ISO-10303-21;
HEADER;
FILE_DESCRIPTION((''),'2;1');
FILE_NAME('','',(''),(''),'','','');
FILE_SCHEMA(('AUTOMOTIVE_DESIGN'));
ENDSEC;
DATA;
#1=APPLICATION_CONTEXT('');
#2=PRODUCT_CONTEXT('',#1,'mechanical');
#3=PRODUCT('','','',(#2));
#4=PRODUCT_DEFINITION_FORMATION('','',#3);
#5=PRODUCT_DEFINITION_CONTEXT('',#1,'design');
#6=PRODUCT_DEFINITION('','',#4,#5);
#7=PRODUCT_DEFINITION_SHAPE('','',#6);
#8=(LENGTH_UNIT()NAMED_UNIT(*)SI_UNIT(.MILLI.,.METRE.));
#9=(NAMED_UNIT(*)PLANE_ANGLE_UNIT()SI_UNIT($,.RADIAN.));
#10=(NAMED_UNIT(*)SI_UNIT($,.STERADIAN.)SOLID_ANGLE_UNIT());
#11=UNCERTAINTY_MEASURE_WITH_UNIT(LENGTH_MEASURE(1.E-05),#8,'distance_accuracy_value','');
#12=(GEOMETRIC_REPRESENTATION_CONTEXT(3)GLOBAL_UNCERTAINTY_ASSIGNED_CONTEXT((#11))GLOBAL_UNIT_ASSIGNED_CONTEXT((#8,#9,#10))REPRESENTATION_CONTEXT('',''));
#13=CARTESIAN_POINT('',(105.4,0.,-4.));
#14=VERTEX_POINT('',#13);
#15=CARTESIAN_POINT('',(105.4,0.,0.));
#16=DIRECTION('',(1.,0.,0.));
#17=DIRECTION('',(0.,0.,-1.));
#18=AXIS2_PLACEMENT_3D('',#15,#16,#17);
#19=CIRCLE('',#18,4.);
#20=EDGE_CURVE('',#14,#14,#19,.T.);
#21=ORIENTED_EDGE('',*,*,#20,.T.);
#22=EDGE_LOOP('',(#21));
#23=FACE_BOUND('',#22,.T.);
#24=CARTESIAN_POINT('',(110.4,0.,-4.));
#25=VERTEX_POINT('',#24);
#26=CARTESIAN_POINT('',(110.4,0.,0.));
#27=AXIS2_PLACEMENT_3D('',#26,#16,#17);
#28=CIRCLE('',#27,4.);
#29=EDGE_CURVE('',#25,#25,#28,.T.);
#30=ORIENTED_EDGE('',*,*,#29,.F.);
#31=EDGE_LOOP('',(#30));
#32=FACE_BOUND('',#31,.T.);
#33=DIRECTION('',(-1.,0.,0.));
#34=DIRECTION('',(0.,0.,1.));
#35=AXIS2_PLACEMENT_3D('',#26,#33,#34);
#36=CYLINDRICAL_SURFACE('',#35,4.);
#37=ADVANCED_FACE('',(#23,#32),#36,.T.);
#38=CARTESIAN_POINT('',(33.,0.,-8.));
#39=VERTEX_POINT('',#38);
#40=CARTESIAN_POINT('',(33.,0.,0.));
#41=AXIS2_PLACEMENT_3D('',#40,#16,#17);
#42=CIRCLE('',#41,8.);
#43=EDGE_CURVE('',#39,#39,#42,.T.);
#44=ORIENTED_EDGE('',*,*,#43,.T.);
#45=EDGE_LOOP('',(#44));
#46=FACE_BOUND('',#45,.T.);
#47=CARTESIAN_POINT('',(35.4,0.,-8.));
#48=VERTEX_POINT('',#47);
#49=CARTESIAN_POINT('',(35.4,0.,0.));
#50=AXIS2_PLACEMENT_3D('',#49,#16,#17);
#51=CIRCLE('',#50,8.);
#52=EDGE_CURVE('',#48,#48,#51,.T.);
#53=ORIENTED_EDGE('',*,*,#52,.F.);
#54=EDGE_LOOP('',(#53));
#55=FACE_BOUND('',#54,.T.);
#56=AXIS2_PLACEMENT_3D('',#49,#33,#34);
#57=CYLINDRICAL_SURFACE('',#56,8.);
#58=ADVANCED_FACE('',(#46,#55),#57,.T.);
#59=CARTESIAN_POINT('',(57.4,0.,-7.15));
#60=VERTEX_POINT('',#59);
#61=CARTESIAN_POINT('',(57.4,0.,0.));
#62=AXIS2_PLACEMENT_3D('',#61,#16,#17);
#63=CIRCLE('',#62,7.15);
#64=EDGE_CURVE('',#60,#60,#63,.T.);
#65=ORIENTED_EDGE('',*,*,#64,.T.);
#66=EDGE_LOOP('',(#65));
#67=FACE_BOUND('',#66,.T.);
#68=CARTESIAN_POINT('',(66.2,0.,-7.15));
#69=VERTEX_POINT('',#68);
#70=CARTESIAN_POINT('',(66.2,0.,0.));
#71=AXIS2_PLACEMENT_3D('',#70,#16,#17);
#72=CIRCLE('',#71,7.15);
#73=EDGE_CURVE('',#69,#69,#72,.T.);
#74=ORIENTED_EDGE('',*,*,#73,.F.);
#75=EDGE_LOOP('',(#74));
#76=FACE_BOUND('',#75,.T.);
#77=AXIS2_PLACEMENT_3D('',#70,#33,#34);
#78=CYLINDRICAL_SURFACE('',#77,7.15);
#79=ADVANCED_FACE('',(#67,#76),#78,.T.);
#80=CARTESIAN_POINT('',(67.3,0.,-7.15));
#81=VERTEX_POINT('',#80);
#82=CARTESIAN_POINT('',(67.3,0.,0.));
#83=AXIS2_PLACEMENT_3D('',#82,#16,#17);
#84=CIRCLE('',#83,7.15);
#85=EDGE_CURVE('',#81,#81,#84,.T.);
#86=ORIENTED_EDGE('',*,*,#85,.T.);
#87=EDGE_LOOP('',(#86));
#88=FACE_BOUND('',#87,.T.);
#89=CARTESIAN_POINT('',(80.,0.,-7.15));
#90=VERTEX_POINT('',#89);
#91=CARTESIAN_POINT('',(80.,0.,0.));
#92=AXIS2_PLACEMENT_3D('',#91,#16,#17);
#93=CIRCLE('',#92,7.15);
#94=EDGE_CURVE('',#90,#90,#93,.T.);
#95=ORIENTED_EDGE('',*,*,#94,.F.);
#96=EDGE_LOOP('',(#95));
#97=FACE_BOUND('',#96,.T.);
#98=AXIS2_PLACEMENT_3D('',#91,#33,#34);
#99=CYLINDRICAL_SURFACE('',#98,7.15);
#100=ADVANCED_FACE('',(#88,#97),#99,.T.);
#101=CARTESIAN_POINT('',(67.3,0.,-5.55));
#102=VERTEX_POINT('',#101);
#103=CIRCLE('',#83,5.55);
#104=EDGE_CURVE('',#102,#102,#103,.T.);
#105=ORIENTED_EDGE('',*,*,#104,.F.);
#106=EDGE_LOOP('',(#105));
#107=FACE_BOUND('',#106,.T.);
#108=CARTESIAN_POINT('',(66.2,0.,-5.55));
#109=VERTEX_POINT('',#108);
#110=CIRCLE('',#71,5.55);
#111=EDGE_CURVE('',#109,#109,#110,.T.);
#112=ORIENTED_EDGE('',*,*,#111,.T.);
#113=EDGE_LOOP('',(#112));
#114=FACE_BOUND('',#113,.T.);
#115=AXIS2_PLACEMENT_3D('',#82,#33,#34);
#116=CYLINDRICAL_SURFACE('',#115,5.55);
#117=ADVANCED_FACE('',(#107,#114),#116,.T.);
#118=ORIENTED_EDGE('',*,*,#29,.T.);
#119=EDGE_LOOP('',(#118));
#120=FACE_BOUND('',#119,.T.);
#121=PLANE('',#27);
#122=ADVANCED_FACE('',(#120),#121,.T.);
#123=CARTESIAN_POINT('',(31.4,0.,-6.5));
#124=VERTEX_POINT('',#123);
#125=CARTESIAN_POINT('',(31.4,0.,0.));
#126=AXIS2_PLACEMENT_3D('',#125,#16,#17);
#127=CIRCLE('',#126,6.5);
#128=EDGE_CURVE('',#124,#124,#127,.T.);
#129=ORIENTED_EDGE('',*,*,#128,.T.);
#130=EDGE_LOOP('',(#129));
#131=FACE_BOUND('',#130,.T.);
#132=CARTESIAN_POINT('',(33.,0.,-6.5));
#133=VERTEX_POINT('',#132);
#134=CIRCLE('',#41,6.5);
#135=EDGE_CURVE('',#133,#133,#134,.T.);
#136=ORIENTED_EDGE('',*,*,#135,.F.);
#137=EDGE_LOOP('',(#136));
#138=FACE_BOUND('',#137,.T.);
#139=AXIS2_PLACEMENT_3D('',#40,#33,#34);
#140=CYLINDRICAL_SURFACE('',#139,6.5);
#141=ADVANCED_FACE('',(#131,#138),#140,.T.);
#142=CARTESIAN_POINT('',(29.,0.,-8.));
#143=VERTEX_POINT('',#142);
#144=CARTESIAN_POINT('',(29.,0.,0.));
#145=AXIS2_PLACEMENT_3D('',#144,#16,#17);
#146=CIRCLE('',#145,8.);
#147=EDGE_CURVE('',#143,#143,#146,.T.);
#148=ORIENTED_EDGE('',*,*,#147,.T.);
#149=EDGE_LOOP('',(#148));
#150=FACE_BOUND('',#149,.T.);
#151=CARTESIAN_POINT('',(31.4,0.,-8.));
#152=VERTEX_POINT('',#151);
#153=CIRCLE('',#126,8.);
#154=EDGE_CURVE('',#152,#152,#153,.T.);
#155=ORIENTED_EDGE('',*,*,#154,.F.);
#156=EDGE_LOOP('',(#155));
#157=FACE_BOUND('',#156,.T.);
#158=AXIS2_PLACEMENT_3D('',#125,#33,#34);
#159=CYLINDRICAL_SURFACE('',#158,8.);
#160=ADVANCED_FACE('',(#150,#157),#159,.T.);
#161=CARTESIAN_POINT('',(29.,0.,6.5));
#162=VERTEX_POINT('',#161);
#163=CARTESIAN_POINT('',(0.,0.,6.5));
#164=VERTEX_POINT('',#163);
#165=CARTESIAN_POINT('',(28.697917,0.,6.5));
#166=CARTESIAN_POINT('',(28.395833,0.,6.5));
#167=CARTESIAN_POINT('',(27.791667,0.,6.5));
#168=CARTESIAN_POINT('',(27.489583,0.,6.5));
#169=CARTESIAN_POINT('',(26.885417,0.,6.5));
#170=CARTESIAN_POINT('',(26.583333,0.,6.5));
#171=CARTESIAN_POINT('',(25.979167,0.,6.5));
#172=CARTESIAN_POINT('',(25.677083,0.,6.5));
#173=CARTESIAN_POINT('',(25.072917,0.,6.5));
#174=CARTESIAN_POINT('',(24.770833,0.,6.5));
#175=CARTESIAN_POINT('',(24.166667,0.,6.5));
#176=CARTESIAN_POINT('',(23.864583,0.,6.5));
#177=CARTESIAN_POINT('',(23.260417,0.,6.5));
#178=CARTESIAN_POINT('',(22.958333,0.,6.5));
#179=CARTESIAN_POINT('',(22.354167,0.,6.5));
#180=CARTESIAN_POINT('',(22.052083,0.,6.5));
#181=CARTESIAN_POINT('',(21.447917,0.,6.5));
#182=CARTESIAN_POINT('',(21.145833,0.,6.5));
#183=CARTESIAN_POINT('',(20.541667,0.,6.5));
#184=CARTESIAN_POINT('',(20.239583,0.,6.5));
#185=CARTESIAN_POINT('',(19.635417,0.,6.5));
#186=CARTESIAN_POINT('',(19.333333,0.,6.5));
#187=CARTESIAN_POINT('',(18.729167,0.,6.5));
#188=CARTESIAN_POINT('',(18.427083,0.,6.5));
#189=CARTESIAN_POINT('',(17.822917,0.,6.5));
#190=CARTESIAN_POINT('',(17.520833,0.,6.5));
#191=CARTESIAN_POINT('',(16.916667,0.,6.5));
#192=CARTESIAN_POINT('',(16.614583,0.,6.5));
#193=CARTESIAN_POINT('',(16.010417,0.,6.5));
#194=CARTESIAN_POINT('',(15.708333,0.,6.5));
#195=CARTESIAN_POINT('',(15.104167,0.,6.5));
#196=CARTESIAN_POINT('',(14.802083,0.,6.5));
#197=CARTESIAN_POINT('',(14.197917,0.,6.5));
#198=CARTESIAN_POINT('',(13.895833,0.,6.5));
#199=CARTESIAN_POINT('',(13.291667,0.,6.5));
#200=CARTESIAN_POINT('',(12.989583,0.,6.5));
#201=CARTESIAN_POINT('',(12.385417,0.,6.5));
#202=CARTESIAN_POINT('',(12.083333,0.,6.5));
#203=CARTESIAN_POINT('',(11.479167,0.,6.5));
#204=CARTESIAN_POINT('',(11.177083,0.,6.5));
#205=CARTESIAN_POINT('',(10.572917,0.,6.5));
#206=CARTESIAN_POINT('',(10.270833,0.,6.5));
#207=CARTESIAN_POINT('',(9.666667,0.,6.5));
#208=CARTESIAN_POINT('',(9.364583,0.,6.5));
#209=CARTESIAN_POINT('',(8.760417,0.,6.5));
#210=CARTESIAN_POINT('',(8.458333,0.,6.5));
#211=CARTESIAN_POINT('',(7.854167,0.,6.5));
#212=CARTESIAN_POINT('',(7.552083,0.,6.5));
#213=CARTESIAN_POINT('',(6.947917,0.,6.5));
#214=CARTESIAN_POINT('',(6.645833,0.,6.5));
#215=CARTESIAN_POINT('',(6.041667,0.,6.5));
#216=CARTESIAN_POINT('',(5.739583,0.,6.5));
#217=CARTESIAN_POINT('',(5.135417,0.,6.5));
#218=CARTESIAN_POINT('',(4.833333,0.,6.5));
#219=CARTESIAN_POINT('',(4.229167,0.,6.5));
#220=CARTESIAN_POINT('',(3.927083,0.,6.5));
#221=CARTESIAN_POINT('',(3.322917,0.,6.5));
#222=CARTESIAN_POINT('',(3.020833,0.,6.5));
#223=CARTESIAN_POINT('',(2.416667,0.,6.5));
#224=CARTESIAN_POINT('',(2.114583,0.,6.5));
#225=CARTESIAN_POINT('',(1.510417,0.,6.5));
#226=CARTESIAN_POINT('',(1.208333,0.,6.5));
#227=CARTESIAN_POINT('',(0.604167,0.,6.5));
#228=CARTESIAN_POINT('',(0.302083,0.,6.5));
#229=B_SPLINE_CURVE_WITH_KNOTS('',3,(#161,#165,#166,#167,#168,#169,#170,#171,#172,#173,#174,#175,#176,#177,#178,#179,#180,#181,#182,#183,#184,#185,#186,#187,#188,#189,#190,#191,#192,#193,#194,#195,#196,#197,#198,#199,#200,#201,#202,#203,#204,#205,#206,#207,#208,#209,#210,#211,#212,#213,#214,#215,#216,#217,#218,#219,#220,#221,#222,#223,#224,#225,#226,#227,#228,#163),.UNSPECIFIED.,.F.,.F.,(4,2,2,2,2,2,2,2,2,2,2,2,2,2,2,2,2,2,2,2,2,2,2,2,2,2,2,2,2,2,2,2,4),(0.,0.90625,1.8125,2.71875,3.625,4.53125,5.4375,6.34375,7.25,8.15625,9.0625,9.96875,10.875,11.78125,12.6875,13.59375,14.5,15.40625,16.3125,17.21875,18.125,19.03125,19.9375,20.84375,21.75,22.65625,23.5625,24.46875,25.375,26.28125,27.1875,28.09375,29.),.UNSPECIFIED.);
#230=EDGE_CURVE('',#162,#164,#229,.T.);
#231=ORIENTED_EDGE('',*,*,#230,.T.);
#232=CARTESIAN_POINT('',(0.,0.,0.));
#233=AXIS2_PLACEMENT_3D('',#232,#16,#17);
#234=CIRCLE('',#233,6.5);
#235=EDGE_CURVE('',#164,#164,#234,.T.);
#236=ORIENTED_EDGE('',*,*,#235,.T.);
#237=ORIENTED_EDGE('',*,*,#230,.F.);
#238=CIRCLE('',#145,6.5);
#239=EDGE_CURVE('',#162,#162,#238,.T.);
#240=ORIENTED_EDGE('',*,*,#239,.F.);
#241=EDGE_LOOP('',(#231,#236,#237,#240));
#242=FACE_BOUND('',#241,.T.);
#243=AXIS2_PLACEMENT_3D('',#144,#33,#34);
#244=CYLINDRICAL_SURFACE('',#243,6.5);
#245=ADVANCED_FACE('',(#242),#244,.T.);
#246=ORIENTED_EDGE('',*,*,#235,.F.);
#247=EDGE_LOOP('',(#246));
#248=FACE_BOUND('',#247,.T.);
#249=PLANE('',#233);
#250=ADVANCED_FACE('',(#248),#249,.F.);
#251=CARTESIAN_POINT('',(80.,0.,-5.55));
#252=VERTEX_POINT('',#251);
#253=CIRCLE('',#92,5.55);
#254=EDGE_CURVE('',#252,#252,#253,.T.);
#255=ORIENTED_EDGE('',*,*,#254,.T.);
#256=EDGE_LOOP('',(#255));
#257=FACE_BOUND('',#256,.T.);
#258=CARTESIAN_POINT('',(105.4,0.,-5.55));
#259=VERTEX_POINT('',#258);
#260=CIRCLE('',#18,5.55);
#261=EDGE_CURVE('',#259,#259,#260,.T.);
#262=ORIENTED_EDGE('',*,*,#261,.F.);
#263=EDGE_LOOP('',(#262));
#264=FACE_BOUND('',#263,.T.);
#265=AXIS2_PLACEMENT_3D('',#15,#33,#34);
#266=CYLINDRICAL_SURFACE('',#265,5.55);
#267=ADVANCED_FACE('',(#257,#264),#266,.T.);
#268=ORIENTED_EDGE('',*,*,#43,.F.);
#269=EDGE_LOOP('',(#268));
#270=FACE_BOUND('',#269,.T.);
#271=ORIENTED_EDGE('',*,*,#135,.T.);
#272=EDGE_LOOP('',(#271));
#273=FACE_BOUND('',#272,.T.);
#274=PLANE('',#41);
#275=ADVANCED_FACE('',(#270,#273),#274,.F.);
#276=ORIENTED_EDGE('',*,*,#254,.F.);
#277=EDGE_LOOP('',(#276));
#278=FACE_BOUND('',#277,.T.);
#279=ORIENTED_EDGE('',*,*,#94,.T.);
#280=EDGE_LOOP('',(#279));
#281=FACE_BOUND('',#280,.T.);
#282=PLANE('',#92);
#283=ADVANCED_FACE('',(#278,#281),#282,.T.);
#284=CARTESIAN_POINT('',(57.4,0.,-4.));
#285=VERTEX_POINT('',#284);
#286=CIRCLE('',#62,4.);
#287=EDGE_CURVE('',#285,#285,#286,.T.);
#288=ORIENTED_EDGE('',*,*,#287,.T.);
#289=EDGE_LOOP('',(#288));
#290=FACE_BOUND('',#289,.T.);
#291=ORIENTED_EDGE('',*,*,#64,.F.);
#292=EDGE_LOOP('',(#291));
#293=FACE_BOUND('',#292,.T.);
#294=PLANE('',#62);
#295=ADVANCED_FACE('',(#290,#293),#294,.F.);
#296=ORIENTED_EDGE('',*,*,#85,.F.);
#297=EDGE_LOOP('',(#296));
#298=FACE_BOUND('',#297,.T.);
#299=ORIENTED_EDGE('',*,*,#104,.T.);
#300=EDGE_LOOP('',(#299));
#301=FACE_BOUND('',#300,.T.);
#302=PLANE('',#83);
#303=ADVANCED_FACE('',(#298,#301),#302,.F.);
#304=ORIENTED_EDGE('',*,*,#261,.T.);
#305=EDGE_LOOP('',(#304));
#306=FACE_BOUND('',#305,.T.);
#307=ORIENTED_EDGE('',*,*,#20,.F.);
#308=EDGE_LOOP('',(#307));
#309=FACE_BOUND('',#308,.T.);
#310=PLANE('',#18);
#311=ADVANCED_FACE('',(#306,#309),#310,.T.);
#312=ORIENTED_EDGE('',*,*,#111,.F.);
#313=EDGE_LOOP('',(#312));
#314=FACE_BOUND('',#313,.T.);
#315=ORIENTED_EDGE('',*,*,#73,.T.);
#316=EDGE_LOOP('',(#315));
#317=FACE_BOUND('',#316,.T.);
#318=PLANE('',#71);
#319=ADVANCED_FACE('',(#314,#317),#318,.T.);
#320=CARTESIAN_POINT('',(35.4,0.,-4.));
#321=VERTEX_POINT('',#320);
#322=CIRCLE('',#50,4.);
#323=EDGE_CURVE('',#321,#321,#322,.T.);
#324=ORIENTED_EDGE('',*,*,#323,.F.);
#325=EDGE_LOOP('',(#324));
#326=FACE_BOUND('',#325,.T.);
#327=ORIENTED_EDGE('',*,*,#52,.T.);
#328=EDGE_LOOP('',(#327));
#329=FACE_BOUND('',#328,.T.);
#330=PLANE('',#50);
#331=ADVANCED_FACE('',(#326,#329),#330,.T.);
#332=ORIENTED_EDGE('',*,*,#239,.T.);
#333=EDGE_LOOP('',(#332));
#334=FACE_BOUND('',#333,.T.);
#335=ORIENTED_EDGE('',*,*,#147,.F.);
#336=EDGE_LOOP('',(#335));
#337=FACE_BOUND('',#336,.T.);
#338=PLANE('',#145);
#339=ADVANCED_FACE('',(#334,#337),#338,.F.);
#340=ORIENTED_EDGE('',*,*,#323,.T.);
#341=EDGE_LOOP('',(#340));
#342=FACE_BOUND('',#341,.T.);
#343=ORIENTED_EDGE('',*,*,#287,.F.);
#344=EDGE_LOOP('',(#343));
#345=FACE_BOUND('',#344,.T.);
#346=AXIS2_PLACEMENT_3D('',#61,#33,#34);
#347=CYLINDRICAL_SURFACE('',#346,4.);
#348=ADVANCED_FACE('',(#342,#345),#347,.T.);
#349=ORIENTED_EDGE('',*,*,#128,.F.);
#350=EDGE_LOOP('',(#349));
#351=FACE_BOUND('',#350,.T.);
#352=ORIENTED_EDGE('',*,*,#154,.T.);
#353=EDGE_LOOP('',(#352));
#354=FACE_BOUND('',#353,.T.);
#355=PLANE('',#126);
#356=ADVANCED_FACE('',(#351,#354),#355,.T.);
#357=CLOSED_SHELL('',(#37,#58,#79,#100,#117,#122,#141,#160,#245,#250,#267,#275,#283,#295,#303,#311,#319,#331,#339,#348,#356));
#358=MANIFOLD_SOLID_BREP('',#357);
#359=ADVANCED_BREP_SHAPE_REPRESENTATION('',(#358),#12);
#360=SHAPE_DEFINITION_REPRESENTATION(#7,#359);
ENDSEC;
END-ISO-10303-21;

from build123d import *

# Parameters (mm, degrees)
SKETCH_1_R       = 6.5
EXTRUDE_1_DEPTH  = 29
SKETCH_2_R       = 8
EXTRUDE_2_DEPTH  = 2.4
SKETCH_3_R       = 6.5
EXTRUDE_3_DEPTH  = 1.6
SKETCH_4_R       = 8
EXTRUDE_4_DEPTH  = 2.4
SKETCH_5_R       = 4
EXTRUDE_5_DEPTH  = 22
SKETCH_6_R       = 7.15
EXTRUDE_6_DEPTH  = 8.8
SKETCH_7_R       = 5.55
EXTRUDE_7_DEPTH  = 1.1
SKETCH_8_R       = 7.15
EXTRUDE_8_DEPTH  = 12.7
SKETCH_9_R       = 5.55
EXTRUDE_9_DEPTH  = 25.4
SKETCH_10_R      = 4
EXTRUDE_10_DEPTH = 5


with BuildPart() as part:
    # Эскиз1 → Бобышка-Вытянуть1 (new body)
    with BuildSketch(Plane(origin=(0, 0, 0), x_dir=(0, 0, -1), z_dir=(1, 0, 0))):
        with Locations(Location((0, 0, 0), (0, 0, 180))):
            Circle(SKETCH_1_R)
    extrude(amount=EXTRUDE_1_DEPTH)

    # Эскиз2 → Бобышка-Вытянуть2 (add)
    with BuildSketch(Plane(origin=(29, 0, 0), x_dir=(0, 0, -1), z_dir=(1, 0, 0))):
        Circle(SKETCH_2_R)
    extrude(amount=EXTRUDE_2_DEPTH)

    # Эскиз3 → Бобышка-Вытянуть3 (add)
    with BuildSketch(Plane(origin=(31.4, 0, 0), x_dir=(0, 0, -1), z_dir=(1, 0, 0))):
        with Locations(Location((0, 0, 0), (0, 0, 180))):
            Circle(SKETCH_3_R)
    extrude(amount=EXTRUDE_3_DEPTH)

    # Эскиз4 → Бобышка-Вытянуть4 (add)
    with BuildSketch(Plane(origin=(33, 0, 0), x_dir=(0, 0, -1), z_dir=(1, 0, 0))):
        Circle(SKETCH_4_R)
    extrude(amount=EXTRUDE_4_DEPTH)

    # Эскиз5 → Бобышка-Вытянуть5 (add)
    with BuildSketch(Plane(origin=(35.4, 0, 0), x_dir=(0, 0, -1), z_dir=(1, 0, 0))):
        Circle(SKETCH_5_R)
    extrude(amount=EXTRUDE_5_DEPTH)

    # Эскиз6 → Бобышка-Вытянуть6 (add)
    with BuildSketch(Plane(origin=(57.4, 0, 0), x_dir=(0, 0, -1), z_dir=(1, 0, 0))):
        Circle(SKETCH_6_R)
    extrude(amount=EXTRUDE_6_DEPTH)

    # Эскиз7 → Бобышка-Вытянуть7 (add)
    with BuildSketch(Plane(origin=(66.2, 0, 0), x_dir=(0, 0, -1), z_dir=(1, 0, 0))):
        Circle(SKETCH_7_R)
    extrude(amount=EXTRUDE_7_DEPTH)

    # Эскиз8 → Бобышка-Вытянуть8 (add)
    with BuildSketch(Plane(origin=(67.3, 0, 0), x_dir=(0, 0, -1), z_dir=(1, 0, 0))):
        Circle(SKETCH_8_R)
    extrude(amount=EXTRUDE_8_DEPTH)

    # Эскиз9 → Бобышка-Вытянуть9 (add)
    with BuildSketch(Plane(origin=(80, 0, 0), x_dir=(0, 0, -1), z_dir=(1, 0, 0))):
        Circle(SKETCH_9_R)
    extrude(amount=EXTRUDE_9_DEPTH)

    # Эскиз10 → Бобышка-Вытянуть10 (add)
    with BuildSketch(Plane(origin=(105.4, 0, 0), x_dir=(0, 0, -1), z_dir=(1, 0, 0))):
        Circle(SKETCH_10_R)
    extrude(amount=EXTRUDE_10_DEPTH)


solid = part.part
